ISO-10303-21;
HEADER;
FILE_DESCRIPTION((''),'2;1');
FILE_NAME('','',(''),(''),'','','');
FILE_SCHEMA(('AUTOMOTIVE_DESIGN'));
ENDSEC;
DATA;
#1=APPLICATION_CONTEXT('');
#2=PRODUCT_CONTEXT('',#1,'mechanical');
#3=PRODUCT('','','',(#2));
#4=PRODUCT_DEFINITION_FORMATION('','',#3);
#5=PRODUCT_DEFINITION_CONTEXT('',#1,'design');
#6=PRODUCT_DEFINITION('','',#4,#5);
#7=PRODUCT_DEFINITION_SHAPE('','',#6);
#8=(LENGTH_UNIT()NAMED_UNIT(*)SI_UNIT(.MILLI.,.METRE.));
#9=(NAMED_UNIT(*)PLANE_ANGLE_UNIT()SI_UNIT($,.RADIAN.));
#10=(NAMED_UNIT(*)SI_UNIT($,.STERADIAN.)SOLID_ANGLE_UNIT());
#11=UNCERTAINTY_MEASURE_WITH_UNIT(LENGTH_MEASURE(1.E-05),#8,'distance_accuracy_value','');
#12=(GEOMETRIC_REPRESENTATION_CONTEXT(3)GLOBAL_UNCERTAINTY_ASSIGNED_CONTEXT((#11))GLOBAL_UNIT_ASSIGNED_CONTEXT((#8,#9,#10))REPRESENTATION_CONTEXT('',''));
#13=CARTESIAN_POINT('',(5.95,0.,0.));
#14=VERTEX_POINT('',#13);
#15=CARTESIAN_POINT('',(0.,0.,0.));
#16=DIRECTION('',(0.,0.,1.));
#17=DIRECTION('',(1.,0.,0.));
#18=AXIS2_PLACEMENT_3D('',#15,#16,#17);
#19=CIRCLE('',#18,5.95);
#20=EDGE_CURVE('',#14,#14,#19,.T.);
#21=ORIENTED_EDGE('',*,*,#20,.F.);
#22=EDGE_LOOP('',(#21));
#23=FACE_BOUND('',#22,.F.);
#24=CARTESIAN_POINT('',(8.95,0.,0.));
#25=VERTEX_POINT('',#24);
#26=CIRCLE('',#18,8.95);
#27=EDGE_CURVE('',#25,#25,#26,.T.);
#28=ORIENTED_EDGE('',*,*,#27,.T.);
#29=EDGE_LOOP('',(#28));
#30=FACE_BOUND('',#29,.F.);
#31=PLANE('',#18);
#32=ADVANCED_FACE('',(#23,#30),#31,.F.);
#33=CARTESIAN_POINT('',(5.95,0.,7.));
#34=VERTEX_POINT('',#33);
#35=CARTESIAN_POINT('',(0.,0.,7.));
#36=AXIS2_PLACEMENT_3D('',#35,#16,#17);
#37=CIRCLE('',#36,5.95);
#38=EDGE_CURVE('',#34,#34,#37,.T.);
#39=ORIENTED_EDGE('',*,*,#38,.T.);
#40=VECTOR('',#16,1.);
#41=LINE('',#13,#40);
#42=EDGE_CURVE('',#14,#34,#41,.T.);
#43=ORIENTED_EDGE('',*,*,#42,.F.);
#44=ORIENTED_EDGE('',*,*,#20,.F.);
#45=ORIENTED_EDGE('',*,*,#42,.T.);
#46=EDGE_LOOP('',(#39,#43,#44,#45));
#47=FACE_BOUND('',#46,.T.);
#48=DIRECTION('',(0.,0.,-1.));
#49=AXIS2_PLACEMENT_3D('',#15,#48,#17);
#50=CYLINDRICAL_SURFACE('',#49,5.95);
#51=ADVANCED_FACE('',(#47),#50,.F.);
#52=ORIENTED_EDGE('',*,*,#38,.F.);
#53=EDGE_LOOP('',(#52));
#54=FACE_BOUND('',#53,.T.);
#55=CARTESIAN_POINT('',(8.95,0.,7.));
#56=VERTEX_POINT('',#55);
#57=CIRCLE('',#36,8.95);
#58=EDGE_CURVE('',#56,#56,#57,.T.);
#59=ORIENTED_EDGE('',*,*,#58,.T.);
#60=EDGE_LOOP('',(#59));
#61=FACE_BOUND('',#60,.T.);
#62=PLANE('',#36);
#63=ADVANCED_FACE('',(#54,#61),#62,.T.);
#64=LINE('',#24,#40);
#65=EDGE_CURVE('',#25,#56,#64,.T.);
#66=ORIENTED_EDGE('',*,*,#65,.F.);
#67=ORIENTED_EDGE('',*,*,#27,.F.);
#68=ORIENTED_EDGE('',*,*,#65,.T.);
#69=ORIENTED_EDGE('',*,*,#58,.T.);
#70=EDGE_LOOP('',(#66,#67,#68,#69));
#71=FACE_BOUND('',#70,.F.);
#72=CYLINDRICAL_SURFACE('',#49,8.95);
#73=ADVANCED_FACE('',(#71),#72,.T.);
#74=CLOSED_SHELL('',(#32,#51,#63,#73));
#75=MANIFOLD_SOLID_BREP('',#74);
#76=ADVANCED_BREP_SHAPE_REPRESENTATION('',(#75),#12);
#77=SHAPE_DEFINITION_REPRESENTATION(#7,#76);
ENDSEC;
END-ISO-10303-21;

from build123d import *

# Parameters (mm, degrees)
SKETCH_1_R      = 8.95
SKETCH_1_R_2    = 5.95
EXTRUDE_1_DEPTH = 7


with BuildPart() as part:
    # 草图1 → 拉伸-薄壁1 (new body)
    with BuildSketch(Plane.XY):
        Circle(SKETCH_1_R)
        Circle(SKETCH_1_R_2, mode=Mode.SUBTRACT)
    extrude(amount=EXTRUDE_1_DEPTH)


solid = part.part
